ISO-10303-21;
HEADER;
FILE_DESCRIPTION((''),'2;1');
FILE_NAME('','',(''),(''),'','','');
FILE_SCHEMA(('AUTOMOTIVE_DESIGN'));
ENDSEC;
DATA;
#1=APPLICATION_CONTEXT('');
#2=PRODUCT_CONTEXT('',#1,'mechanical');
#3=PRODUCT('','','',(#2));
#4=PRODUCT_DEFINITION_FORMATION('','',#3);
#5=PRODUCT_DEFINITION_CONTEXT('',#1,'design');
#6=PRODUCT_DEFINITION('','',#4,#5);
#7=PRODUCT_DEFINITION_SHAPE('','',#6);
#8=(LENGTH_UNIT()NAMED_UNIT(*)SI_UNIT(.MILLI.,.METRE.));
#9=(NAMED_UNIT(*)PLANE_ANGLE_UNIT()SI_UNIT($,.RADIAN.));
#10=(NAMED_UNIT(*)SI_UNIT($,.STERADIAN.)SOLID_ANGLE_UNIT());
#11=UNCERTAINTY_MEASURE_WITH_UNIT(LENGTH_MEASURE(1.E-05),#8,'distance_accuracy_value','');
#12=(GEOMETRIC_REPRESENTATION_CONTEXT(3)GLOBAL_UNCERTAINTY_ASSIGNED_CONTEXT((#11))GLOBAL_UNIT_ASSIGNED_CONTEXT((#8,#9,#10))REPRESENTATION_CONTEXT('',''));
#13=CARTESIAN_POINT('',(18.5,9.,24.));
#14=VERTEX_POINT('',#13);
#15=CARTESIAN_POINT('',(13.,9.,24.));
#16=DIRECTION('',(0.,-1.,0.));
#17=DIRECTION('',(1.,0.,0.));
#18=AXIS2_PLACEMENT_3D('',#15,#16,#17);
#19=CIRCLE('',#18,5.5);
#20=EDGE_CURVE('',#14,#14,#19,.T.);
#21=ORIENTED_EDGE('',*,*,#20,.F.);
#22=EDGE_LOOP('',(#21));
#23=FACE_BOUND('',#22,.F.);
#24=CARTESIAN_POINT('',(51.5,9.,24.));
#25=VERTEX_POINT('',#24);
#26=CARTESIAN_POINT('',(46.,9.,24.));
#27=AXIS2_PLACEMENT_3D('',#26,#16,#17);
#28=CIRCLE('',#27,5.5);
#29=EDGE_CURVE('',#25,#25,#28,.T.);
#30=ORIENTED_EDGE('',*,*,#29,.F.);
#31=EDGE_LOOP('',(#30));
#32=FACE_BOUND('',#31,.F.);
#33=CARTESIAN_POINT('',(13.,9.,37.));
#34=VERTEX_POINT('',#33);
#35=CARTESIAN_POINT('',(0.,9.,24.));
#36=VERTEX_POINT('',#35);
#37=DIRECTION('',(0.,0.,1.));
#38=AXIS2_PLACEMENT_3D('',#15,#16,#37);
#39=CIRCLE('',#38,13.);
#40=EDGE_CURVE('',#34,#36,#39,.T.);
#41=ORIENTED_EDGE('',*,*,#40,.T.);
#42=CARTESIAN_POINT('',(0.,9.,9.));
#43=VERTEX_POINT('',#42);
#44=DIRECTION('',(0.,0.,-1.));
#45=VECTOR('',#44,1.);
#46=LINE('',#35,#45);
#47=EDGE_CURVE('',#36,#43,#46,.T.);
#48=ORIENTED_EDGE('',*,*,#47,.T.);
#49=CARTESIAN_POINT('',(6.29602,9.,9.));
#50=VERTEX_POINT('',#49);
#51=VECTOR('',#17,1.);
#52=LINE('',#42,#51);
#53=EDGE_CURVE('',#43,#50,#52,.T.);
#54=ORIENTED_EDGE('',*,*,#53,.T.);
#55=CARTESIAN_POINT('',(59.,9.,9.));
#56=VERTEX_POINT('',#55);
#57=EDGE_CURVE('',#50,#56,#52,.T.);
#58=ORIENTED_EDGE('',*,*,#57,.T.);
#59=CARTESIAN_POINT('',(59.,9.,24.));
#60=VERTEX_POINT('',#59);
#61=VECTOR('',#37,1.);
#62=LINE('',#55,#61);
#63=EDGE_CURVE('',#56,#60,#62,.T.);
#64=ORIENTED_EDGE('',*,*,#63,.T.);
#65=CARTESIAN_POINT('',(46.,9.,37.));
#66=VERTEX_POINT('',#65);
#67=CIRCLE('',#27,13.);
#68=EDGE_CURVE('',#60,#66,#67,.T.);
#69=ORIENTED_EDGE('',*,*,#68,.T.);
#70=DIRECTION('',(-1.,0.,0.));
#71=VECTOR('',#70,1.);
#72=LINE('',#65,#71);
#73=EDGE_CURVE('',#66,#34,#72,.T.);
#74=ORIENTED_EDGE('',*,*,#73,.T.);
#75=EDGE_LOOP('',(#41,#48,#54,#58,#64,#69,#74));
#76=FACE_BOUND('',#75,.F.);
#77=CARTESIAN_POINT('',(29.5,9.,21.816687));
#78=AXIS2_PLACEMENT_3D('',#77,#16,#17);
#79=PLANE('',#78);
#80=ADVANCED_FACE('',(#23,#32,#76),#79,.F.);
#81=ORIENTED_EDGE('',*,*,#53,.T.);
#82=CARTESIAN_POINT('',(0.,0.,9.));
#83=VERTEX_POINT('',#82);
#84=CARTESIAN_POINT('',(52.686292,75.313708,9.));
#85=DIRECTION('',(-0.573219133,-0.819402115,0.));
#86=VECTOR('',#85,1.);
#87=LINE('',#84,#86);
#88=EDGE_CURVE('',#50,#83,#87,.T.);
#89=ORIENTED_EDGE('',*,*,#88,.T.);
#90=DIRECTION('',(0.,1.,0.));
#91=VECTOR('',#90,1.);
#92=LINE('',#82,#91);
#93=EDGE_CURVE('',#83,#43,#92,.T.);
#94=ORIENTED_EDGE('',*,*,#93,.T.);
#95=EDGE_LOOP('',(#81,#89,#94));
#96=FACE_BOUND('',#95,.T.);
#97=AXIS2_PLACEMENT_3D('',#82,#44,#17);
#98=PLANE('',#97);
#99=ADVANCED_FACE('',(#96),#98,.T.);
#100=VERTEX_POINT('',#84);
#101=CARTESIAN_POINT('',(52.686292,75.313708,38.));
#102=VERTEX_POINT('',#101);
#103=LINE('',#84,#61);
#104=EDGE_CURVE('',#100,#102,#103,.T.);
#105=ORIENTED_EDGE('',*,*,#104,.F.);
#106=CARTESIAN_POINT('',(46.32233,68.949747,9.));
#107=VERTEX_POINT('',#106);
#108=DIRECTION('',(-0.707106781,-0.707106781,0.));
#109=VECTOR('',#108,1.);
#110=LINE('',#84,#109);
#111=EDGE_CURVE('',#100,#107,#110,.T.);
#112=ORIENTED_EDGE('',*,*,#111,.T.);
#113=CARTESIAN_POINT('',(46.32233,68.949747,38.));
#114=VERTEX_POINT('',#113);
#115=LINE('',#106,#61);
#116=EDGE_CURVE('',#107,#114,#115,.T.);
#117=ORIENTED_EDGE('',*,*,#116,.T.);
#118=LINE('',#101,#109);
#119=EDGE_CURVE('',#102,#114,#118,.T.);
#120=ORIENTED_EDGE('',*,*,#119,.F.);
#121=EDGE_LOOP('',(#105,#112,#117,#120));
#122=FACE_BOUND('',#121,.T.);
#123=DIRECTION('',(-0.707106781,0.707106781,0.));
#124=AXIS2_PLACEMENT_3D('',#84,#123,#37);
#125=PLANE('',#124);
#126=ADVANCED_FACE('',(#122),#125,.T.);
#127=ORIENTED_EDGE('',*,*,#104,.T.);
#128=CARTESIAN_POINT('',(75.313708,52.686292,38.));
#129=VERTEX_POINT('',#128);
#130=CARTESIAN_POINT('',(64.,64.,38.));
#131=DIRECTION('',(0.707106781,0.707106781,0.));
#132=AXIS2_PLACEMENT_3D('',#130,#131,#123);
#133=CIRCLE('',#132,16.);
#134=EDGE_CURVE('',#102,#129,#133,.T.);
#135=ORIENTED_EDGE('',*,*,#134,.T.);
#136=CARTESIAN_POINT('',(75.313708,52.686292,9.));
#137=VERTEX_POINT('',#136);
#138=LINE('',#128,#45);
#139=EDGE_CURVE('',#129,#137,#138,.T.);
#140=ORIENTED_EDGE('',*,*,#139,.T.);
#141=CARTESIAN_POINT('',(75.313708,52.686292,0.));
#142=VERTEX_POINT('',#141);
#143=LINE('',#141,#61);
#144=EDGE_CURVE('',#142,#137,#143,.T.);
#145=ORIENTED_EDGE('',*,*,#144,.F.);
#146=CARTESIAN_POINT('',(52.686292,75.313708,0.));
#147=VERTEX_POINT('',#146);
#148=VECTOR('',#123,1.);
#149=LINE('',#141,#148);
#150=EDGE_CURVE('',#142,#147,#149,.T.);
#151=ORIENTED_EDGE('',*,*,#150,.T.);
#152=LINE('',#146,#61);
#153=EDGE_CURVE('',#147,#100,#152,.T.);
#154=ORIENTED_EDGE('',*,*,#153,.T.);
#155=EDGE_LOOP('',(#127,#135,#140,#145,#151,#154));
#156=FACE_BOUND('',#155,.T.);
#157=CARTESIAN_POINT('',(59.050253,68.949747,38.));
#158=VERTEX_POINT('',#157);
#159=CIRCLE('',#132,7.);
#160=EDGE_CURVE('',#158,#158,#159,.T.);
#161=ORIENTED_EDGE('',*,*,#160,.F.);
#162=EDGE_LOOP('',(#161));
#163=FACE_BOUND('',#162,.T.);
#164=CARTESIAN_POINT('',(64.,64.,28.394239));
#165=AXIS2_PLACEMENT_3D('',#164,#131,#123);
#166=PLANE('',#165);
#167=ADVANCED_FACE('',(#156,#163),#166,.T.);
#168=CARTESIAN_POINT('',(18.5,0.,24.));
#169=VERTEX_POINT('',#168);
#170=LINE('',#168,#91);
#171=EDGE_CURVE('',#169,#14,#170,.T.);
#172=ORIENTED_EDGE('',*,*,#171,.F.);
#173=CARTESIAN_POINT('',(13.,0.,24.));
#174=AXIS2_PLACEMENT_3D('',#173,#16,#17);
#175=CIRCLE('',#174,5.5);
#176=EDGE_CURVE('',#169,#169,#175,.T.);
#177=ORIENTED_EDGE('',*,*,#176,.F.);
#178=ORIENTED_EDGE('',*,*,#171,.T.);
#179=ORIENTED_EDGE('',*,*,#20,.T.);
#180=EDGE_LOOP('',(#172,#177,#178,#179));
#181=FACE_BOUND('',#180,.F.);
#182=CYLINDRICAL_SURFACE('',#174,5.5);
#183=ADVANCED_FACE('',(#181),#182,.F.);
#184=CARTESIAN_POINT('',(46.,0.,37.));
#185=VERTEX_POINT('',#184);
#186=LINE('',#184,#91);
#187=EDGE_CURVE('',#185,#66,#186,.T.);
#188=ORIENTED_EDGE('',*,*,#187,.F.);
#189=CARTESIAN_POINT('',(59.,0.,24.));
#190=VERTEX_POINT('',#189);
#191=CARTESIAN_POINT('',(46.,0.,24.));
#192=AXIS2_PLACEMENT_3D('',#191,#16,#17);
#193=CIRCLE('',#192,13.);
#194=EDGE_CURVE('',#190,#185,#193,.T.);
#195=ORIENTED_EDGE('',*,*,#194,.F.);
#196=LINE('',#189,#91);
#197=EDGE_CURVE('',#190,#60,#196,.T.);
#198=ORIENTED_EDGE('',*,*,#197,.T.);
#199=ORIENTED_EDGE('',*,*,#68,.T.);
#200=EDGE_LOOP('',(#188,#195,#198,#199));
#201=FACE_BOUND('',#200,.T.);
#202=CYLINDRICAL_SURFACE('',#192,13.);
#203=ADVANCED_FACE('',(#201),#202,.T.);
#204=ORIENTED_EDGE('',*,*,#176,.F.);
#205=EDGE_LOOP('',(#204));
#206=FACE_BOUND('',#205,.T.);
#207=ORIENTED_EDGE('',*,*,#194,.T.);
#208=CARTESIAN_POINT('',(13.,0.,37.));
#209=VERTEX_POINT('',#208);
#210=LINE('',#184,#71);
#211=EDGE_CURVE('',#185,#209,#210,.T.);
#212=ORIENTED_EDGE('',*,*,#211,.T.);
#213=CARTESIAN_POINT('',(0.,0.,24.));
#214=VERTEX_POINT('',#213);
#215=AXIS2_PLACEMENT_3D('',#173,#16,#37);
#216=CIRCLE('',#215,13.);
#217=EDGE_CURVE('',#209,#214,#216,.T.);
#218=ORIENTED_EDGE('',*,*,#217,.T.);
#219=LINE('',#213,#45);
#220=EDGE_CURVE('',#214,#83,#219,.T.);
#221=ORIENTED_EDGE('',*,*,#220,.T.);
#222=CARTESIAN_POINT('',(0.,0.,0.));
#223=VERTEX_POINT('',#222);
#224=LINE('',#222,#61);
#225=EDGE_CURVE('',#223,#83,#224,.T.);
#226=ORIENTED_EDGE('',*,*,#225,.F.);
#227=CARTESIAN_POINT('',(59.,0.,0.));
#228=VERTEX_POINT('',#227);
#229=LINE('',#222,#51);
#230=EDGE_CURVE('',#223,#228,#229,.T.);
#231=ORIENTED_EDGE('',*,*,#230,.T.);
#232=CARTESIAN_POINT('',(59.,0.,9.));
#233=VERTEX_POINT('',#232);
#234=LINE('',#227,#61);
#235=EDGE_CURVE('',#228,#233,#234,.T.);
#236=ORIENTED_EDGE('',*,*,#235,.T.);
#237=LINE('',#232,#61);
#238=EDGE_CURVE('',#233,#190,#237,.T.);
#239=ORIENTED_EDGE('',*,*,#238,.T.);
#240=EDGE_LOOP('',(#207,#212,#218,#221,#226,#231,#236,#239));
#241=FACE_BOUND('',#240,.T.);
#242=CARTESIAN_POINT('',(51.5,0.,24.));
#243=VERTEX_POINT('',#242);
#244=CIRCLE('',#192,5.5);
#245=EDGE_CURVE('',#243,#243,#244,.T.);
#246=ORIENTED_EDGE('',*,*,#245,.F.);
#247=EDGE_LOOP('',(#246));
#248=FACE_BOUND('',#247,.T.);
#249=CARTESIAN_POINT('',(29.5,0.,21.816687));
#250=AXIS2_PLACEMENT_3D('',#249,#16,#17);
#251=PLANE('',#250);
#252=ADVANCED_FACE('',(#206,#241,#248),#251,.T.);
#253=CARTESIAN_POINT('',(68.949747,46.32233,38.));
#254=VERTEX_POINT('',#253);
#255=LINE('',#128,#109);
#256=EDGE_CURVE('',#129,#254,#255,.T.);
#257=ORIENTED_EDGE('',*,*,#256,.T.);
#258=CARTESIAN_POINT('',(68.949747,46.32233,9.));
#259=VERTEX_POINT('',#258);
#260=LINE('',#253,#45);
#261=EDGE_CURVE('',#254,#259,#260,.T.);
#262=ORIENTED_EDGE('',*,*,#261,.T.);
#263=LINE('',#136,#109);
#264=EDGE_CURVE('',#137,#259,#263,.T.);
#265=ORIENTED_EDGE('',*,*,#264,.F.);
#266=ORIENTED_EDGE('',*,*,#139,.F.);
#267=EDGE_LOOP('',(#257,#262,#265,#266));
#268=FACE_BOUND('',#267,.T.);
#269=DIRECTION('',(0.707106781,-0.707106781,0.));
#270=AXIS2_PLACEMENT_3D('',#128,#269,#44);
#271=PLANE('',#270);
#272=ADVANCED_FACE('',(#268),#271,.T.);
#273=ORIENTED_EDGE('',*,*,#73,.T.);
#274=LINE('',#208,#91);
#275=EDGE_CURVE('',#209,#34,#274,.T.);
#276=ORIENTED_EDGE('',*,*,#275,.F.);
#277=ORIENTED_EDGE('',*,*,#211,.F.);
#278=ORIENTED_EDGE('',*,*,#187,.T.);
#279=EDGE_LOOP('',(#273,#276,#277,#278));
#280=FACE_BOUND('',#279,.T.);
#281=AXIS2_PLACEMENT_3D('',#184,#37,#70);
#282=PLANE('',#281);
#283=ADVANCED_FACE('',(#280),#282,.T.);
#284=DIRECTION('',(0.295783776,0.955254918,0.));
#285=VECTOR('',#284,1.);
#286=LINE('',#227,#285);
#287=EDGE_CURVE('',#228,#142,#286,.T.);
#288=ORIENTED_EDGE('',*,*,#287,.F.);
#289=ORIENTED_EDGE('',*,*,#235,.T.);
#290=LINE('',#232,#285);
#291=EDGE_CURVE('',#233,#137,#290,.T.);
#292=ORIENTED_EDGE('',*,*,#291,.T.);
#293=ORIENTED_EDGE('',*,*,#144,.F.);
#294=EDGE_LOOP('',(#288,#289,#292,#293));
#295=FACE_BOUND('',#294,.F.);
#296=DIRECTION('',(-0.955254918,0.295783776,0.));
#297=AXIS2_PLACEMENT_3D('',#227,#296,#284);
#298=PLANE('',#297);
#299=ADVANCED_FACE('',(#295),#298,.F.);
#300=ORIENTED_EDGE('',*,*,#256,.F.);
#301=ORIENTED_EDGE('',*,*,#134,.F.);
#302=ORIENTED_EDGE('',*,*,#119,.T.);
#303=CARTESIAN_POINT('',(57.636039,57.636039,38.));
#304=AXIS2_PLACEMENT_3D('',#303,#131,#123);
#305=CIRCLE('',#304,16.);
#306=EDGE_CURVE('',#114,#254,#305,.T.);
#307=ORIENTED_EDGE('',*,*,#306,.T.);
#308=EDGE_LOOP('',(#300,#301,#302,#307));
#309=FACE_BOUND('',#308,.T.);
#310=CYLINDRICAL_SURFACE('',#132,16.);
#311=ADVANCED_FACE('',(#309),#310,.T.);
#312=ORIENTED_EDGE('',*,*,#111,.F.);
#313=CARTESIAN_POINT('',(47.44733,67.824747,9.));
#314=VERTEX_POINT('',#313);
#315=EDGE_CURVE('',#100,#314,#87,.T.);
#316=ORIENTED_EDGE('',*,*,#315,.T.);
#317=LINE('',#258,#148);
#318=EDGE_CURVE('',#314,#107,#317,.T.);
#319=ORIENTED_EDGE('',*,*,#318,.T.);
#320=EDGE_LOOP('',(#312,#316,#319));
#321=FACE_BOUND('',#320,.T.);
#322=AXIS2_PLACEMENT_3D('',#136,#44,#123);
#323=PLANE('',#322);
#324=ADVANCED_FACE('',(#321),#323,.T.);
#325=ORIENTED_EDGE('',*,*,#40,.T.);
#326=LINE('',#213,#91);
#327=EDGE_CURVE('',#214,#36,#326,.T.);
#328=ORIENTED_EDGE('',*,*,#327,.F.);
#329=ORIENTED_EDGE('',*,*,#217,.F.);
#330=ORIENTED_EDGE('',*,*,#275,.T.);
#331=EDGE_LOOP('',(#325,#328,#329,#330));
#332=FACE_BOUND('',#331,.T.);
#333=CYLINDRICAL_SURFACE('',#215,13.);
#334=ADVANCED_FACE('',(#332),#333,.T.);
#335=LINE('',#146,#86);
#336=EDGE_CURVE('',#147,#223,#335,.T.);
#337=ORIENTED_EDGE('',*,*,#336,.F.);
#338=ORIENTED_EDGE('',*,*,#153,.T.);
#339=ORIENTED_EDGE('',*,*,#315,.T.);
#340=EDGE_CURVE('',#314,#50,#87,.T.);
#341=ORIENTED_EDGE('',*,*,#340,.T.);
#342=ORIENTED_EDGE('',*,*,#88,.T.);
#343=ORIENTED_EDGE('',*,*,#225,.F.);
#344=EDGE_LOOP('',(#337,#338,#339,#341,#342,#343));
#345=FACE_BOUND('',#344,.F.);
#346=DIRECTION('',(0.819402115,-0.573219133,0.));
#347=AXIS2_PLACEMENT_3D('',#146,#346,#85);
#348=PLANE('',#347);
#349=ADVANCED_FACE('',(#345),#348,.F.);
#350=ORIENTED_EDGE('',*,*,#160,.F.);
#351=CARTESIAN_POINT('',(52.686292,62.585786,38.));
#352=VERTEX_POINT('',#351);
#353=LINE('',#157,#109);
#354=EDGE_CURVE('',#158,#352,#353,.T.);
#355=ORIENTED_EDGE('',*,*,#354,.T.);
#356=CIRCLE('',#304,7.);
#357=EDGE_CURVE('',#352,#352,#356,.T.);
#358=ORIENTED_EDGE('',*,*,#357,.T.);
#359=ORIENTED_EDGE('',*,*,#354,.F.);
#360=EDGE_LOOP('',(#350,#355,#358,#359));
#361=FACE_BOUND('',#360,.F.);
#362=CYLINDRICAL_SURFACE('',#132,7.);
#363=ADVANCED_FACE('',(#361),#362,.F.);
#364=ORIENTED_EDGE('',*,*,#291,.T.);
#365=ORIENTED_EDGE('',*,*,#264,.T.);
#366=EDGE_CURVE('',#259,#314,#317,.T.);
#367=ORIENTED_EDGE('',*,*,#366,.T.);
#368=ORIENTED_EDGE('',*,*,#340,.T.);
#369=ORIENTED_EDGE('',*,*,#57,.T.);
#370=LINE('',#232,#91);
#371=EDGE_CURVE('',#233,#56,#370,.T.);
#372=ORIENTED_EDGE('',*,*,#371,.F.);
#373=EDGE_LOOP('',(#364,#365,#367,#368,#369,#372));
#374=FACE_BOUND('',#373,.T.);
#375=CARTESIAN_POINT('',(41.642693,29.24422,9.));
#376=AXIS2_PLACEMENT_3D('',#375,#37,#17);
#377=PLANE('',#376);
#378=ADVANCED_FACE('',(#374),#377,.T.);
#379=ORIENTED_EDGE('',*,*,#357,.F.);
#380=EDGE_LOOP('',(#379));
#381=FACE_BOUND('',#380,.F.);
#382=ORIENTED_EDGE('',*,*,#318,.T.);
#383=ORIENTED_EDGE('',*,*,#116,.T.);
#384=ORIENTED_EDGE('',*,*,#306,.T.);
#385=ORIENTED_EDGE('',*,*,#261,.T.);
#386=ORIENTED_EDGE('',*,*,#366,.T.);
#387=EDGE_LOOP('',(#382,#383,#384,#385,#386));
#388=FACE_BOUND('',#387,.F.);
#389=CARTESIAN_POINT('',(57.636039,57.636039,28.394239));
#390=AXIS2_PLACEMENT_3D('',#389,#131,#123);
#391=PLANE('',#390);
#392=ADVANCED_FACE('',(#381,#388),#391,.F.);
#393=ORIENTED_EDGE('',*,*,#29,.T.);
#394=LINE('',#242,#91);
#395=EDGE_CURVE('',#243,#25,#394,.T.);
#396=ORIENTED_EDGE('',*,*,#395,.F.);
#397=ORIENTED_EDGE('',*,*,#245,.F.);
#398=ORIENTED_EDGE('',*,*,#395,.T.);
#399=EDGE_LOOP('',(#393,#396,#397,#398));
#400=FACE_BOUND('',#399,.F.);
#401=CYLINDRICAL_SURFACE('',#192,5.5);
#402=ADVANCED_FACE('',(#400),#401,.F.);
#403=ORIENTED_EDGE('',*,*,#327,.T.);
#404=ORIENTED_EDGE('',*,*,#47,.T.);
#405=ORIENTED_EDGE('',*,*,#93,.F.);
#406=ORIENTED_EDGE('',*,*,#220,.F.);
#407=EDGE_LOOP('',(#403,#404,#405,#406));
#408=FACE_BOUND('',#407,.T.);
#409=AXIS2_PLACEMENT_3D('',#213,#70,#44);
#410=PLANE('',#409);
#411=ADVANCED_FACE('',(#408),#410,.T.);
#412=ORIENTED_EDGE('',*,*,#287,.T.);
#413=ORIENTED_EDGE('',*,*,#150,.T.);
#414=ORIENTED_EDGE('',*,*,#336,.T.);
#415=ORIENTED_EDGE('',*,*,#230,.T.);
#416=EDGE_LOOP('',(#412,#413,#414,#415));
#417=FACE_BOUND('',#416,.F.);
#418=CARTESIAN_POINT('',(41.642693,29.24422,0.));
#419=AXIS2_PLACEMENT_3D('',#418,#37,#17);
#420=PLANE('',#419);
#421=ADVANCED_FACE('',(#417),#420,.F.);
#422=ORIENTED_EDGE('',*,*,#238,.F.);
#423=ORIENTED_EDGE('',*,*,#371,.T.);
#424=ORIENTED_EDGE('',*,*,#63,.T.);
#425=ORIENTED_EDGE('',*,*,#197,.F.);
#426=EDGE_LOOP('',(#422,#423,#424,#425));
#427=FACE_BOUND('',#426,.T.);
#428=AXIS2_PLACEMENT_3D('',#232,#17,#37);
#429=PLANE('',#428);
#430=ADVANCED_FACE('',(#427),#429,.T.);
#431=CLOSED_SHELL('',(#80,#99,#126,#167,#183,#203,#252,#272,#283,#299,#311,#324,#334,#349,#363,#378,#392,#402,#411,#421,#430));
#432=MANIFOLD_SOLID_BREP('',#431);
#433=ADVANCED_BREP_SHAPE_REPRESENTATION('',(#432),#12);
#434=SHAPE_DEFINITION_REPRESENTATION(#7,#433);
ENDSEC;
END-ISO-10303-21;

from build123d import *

# Parameters (mm, degrees)
F1_DEPTH = 9
F2_R     = 7
F3_DEPTH = 9
F4_R     = 5.5
F5_DEPTH = 9


with BuildPart() as f1:
    # F0 (on Top) → F1 (new body)
    with BuildSketch(Plane.XY):
        Polygon((52.686291501, 75.313708499), (0, 0), (59, 0), (75.313708499, 52.686291501), align=None)
    extrude(amount=F1_DEPTH)

    # F2 (on face) → F3 (join)
    with BuildSketch(Plane(origin=(64, 64, 0), x_dir=(-0.7071067812, 0.7071067812, 0), z_dir=(0.7071067812, 0.7071067812, 0))):
        with BuildLine():
            Line((-16, 38), (-16, 9))
            Line((-16, 9), (16, 9))
            Line((16, 9), (16, 38))
            ThreePointArc((16, 38), (0, 54), (-16, 38))
        make_face()
        with Locations((0, 38)):
            Circle(F2_R, mode=Mode.SUBTRACT)
    extrude(amount=-F3_DEPTH)

    # F4 (on face) → F5 (join)
    with BuildSketch(Plane.XZ):
        with BuildLine():
            Line((0, 24), (0, 9))
            Line((0, 9), (59, 9))
            Line((59, 9), (59, 24))
            ThreePointArc((59, 24), (55.1923881554, 33.1923881554), (46, 37))
            Line((46, 37), (13, 37))
            ThreePointArc((13, 37), (3.8076118446, 33.1923881554), (0, 24))
        make_face()
        with Locations((13, 24)):
            Circle(F4_R, mode=Mode.SUBTRACT)
        with Locations((46, 24)):
            Circle(F4_R, mode=Mode.SUBTRACT)
    extrude(amount=-F5_DEPTH)


solid = f1.part
